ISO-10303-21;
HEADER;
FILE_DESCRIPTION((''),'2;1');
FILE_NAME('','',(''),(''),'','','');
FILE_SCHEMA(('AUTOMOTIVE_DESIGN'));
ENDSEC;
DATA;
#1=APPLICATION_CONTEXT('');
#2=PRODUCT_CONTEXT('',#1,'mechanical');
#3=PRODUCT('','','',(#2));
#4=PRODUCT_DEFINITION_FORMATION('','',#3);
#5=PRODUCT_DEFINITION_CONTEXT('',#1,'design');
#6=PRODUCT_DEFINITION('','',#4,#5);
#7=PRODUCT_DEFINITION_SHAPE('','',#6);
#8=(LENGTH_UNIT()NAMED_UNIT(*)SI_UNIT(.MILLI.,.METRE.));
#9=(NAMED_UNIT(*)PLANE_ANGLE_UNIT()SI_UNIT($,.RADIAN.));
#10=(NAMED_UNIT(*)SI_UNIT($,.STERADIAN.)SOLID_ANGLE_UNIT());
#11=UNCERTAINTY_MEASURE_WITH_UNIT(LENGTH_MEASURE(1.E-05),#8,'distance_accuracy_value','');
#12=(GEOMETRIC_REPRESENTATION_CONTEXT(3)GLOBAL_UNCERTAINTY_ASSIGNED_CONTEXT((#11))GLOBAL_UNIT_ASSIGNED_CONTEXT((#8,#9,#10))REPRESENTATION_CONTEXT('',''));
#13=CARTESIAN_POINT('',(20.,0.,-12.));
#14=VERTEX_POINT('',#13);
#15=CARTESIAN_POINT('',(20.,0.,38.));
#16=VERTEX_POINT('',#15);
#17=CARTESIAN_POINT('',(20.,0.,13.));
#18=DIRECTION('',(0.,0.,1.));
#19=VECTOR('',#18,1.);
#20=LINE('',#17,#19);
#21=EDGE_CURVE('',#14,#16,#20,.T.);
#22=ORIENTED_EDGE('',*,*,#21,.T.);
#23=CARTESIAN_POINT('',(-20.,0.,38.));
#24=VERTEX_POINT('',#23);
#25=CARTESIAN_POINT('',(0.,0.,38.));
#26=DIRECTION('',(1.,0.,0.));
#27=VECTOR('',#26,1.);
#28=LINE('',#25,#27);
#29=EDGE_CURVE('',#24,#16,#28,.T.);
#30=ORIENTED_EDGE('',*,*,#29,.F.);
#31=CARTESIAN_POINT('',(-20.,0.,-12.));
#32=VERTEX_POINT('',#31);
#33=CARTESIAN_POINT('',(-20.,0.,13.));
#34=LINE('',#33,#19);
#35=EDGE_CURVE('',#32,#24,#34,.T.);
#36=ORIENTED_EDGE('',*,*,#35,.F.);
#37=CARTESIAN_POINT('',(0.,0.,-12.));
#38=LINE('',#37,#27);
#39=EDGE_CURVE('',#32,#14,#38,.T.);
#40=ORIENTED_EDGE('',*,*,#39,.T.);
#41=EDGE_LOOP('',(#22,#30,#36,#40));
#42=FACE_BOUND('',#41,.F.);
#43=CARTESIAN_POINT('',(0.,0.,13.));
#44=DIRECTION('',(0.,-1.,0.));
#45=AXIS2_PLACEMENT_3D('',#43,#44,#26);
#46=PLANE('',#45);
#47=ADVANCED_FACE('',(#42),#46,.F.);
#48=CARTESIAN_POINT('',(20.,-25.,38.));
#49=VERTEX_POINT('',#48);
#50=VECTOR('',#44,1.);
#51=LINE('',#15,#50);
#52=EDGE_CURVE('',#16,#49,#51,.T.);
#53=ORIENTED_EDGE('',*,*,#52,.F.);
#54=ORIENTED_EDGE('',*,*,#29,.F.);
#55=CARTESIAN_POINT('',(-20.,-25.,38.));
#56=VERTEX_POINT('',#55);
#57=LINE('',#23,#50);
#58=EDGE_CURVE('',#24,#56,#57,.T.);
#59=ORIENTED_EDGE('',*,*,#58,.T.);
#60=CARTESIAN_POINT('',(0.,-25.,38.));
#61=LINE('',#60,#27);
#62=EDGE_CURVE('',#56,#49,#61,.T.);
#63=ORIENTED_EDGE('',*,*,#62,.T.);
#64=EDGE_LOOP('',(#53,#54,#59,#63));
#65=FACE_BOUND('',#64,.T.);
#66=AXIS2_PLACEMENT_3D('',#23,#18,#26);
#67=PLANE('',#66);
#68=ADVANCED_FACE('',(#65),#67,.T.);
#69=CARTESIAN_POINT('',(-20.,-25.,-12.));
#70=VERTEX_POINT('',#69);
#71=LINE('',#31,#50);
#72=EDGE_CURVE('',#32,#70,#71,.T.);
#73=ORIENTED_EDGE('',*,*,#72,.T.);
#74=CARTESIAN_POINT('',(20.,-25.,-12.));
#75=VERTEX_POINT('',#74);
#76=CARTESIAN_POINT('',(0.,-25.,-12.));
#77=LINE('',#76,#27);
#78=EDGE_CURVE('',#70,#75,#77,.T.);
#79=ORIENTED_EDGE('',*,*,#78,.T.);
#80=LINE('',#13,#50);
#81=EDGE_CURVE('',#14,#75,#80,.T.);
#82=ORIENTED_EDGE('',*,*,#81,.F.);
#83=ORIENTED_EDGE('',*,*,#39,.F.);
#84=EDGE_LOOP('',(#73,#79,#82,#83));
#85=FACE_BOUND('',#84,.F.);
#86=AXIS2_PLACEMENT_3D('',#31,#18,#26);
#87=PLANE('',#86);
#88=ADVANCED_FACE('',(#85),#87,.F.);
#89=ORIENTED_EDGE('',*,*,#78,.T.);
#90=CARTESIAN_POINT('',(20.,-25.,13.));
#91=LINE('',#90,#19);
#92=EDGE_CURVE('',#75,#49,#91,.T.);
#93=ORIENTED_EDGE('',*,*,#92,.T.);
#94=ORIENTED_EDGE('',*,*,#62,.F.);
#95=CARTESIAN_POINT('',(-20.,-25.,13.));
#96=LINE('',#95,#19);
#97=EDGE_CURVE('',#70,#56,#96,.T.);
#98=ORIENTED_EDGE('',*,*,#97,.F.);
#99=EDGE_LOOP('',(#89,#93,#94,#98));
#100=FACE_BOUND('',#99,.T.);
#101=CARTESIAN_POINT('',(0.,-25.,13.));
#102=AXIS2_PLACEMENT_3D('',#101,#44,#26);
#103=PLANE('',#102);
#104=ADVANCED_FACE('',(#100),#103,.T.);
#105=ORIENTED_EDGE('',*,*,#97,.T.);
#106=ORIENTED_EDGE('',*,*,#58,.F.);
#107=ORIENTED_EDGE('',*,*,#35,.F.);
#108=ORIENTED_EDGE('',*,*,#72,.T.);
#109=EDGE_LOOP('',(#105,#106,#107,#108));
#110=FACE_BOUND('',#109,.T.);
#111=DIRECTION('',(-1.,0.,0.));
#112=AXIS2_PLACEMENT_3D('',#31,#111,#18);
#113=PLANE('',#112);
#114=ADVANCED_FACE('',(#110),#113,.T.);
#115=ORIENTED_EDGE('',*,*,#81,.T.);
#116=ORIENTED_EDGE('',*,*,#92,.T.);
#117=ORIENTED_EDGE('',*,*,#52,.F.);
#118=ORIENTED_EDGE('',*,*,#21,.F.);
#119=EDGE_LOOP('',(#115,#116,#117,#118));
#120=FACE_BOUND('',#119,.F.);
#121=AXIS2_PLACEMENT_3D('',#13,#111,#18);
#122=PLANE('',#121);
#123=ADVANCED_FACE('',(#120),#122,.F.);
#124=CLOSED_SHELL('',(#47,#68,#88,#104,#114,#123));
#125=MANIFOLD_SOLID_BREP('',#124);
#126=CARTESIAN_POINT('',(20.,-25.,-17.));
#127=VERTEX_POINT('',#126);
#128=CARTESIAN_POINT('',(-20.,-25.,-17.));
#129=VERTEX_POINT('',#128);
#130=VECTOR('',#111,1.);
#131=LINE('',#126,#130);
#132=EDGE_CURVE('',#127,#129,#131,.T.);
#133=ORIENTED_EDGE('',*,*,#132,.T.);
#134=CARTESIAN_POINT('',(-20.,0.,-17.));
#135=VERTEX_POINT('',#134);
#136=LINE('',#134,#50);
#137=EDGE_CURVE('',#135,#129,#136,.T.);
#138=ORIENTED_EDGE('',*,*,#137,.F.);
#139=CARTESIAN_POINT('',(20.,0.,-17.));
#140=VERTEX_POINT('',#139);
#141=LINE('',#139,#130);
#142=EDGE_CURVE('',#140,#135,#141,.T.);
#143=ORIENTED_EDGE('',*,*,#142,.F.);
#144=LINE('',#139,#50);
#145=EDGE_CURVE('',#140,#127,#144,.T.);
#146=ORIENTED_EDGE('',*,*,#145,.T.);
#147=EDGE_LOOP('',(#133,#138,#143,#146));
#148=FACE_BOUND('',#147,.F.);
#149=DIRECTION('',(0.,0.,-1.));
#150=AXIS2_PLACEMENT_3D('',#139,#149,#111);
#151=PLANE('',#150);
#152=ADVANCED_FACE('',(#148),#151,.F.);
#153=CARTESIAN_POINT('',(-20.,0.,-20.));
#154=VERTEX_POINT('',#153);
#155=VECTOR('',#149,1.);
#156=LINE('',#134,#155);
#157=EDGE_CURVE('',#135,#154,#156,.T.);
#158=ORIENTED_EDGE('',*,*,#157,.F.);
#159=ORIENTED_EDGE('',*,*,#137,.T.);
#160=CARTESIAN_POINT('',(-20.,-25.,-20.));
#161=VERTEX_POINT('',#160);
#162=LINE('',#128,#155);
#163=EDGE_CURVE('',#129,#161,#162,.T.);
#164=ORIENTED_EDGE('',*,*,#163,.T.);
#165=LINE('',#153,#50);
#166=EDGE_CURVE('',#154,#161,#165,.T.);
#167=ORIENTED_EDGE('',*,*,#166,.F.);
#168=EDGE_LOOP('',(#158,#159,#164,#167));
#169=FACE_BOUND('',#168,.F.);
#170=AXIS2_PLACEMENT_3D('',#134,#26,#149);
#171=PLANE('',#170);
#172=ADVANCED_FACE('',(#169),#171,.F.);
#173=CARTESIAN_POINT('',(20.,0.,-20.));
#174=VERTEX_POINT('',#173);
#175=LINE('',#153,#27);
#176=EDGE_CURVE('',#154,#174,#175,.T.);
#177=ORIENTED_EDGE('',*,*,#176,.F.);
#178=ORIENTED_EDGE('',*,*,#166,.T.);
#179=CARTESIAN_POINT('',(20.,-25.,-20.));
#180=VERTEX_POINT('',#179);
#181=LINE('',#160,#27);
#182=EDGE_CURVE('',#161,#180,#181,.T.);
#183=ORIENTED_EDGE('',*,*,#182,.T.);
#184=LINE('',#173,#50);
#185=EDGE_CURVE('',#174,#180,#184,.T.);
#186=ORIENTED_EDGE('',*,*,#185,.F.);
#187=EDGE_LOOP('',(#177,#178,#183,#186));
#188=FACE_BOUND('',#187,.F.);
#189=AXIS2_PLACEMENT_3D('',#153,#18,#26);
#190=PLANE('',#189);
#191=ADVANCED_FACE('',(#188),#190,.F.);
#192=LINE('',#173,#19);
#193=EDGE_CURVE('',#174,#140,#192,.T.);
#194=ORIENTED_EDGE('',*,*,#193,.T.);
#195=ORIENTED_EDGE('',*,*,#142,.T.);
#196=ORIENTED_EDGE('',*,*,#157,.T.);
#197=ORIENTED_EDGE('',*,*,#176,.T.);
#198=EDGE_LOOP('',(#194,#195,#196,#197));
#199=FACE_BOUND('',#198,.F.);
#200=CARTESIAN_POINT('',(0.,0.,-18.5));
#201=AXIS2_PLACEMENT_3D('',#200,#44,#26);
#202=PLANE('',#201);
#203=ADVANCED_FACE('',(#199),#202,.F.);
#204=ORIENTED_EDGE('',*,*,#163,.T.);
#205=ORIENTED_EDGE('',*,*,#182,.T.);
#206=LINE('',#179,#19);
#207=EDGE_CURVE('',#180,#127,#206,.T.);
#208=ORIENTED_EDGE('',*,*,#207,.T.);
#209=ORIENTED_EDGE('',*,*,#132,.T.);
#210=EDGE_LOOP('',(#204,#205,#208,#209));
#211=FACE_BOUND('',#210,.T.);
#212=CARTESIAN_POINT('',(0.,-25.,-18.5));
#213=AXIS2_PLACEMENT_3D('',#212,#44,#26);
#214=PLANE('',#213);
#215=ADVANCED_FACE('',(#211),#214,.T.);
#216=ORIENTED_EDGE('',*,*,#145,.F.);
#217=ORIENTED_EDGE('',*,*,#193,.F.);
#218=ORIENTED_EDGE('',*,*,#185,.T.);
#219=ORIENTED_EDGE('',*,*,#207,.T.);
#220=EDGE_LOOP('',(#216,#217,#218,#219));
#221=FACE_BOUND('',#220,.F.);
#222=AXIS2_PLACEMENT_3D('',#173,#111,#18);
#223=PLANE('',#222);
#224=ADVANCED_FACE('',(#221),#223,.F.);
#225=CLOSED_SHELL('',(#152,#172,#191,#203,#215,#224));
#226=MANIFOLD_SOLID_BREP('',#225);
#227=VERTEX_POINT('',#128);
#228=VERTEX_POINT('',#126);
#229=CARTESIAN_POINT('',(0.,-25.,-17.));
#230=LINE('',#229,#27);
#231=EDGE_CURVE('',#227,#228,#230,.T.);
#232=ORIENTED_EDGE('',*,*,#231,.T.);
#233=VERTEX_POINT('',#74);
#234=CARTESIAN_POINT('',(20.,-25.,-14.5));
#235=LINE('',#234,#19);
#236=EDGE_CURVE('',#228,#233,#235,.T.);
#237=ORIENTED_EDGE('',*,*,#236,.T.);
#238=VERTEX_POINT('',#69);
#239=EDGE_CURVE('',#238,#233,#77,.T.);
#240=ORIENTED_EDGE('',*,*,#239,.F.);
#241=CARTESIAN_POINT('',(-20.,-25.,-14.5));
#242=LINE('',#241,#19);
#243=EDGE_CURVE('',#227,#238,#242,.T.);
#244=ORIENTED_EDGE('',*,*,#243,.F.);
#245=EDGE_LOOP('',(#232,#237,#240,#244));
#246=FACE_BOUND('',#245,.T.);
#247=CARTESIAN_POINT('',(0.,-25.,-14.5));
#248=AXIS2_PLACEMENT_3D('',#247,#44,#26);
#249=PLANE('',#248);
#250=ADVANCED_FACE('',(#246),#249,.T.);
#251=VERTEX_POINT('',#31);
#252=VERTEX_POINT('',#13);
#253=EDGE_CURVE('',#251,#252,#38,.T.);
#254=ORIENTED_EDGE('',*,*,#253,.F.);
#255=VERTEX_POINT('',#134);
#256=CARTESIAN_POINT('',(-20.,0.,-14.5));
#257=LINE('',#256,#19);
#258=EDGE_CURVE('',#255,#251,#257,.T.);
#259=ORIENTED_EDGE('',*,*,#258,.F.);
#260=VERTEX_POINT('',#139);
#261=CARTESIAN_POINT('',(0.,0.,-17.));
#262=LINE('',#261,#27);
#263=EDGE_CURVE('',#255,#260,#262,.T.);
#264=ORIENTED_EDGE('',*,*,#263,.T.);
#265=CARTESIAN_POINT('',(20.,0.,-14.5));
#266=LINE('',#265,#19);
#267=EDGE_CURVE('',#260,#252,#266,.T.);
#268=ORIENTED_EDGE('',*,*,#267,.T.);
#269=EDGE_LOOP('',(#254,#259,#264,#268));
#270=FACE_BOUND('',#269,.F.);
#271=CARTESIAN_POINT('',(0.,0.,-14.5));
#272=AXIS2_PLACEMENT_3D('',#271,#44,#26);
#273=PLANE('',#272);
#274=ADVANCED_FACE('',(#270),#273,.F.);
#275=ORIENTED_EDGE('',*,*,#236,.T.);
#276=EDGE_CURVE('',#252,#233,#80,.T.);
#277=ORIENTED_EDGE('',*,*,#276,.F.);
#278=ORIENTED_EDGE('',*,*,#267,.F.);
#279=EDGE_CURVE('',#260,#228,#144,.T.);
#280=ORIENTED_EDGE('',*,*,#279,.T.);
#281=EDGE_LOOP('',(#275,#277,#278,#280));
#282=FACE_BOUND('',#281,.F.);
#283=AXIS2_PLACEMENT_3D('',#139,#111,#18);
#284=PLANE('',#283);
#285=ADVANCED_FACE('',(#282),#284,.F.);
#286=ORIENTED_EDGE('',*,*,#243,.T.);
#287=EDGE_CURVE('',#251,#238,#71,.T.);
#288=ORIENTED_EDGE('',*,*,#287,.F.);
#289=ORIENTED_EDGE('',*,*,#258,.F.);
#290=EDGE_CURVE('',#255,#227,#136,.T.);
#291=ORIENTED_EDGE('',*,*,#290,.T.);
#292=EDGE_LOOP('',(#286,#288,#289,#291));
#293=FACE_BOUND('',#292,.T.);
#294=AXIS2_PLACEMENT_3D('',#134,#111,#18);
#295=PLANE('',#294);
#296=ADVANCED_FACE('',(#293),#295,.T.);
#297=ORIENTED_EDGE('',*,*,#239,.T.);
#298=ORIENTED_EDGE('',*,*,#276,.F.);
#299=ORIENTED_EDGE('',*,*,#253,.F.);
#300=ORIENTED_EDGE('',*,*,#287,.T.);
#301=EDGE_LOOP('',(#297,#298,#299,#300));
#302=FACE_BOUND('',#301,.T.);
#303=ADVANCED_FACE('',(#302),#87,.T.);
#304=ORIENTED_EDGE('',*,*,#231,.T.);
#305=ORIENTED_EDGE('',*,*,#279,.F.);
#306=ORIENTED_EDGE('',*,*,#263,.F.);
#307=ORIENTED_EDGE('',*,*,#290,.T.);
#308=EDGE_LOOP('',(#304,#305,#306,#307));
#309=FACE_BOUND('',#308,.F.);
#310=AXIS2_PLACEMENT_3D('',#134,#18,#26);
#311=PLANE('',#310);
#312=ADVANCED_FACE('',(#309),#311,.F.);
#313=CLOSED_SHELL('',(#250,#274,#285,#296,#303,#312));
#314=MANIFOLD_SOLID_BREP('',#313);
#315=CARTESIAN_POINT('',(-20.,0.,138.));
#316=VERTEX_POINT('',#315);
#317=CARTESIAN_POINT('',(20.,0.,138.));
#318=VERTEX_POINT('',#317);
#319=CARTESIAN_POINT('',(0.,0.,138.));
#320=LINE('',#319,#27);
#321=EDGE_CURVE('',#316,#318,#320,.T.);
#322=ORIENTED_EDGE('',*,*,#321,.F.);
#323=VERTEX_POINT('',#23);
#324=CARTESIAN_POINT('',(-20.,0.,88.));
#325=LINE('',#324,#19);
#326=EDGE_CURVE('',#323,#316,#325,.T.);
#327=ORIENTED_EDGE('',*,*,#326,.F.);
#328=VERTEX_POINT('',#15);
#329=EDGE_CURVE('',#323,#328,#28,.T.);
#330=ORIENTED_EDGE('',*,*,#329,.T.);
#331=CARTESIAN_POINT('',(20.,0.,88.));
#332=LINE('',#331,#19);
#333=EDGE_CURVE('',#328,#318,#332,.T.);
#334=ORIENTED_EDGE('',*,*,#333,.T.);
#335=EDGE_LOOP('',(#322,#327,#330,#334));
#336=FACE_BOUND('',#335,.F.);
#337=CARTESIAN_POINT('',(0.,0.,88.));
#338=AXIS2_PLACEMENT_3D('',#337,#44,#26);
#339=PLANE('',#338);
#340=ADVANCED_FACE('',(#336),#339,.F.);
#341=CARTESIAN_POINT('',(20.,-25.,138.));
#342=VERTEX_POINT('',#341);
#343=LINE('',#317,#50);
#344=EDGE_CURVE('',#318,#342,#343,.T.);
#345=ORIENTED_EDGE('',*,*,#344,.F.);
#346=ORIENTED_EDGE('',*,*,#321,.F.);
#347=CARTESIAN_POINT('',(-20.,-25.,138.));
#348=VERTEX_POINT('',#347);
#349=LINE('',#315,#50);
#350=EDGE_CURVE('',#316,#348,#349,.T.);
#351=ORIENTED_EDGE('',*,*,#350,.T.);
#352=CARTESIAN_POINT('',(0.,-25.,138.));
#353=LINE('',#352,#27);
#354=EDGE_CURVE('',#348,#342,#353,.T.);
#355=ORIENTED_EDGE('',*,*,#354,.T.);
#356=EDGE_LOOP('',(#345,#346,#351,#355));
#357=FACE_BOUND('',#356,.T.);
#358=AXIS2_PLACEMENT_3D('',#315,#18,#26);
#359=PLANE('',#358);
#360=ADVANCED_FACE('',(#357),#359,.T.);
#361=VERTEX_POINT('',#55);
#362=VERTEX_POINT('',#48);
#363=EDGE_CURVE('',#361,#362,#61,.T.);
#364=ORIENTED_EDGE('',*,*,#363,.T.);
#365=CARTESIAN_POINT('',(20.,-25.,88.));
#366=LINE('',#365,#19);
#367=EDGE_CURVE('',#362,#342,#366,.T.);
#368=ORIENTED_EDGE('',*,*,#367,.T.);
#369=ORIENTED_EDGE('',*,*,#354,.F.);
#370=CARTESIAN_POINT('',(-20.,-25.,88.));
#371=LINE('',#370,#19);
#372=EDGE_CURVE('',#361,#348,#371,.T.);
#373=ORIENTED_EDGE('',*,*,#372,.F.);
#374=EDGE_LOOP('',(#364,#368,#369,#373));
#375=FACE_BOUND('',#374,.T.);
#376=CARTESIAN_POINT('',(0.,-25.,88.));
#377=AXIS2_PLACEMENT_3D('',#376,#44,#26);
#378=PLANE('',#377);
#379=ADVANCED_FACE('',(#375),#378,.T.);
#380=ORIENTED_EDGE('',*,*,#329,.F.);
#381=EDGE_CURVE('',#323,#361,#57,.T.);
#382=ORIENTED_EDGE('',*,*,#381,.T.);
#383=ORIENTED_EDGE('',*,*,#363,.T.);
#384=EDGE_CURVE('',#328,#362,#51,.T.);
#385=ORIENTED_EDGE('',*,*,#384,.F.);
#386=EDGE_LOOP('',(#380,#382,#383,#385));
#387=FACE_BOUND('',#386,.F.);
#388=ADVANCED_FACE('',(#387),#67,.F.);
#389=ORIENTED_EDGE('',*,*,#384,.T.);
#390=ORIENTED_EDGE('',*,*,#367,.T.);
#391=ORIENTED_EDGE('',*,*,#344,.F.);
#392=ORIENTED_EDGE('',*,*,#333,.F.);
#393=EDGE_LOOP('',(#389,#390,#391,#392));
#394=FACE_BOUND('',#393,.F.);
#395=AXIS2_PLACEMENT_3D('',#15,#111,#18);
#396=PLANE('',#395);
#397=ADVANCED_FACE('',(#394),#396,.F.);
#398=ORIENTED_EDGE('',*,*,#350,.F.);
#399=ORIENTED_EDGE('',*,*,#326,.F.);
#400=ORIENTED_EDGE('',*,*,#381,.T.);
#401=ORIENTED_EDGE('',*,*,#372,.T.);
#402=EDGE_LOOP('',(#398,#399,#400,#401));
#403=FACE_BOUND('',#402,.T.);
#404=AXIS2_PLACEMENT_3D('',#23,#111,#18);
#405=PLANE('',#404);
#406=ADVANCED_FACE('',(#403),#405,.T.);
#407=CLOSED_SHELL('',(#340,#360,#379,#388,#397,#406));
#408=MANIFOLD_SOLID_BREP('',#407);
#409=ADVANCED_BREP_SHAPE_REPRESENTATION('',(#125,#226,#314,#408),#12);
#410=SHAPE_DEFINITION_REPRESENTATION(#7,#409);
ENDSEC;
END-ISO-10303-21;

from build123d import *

# Parameters (mm, degrees)
F0_W     = 40
F0_H     = 100
F1_DEPTH = 25
F0_H_2   = 50
F2_DEPTH = 25
F0_H_3   = 5
F3_DEPTH = 25
F4_DEPTH = 25


with BuildPart() as f1:
    # F0 (on Front) → F1 (new body)
    with BuildSketch(Plane.XZ):
        with Locations((0, 88)):
            Rectangle(F0_W, F0_H)
    extrude(amount=F1_DEPTH)


with BuildPart() as f2:
    # F0 (on Front) → F2 (new body)
    with BuildSketch(Plane.XZ):
        with Locations((0, 13)):
            Rectangle(F0_W, F0_H_2)
    extrude(amount=F2_DEPTH)


with BuildPart() as f3:
    # F0 (on Front) → F3 (new body)
    with BuildSketch(Plane.XZ):
        with Locations((0, -14.5)):
            Rectangle(F0_W, F0_H_3)
    extrude(amount=F3_DEPTH)


with BuildPart() as f4:
    # F0 (on Front) → F4 (new body)
    with BuildSketch(Plane.XZ):
        Polygon((-20, -17), (-20, -20), (0, -20), (20, -20), (20, -17), align=None)
    extrude(amount=F4_DEPTH)


solid = Compound([f1.part, f2.part, f3.part, f4.part])
